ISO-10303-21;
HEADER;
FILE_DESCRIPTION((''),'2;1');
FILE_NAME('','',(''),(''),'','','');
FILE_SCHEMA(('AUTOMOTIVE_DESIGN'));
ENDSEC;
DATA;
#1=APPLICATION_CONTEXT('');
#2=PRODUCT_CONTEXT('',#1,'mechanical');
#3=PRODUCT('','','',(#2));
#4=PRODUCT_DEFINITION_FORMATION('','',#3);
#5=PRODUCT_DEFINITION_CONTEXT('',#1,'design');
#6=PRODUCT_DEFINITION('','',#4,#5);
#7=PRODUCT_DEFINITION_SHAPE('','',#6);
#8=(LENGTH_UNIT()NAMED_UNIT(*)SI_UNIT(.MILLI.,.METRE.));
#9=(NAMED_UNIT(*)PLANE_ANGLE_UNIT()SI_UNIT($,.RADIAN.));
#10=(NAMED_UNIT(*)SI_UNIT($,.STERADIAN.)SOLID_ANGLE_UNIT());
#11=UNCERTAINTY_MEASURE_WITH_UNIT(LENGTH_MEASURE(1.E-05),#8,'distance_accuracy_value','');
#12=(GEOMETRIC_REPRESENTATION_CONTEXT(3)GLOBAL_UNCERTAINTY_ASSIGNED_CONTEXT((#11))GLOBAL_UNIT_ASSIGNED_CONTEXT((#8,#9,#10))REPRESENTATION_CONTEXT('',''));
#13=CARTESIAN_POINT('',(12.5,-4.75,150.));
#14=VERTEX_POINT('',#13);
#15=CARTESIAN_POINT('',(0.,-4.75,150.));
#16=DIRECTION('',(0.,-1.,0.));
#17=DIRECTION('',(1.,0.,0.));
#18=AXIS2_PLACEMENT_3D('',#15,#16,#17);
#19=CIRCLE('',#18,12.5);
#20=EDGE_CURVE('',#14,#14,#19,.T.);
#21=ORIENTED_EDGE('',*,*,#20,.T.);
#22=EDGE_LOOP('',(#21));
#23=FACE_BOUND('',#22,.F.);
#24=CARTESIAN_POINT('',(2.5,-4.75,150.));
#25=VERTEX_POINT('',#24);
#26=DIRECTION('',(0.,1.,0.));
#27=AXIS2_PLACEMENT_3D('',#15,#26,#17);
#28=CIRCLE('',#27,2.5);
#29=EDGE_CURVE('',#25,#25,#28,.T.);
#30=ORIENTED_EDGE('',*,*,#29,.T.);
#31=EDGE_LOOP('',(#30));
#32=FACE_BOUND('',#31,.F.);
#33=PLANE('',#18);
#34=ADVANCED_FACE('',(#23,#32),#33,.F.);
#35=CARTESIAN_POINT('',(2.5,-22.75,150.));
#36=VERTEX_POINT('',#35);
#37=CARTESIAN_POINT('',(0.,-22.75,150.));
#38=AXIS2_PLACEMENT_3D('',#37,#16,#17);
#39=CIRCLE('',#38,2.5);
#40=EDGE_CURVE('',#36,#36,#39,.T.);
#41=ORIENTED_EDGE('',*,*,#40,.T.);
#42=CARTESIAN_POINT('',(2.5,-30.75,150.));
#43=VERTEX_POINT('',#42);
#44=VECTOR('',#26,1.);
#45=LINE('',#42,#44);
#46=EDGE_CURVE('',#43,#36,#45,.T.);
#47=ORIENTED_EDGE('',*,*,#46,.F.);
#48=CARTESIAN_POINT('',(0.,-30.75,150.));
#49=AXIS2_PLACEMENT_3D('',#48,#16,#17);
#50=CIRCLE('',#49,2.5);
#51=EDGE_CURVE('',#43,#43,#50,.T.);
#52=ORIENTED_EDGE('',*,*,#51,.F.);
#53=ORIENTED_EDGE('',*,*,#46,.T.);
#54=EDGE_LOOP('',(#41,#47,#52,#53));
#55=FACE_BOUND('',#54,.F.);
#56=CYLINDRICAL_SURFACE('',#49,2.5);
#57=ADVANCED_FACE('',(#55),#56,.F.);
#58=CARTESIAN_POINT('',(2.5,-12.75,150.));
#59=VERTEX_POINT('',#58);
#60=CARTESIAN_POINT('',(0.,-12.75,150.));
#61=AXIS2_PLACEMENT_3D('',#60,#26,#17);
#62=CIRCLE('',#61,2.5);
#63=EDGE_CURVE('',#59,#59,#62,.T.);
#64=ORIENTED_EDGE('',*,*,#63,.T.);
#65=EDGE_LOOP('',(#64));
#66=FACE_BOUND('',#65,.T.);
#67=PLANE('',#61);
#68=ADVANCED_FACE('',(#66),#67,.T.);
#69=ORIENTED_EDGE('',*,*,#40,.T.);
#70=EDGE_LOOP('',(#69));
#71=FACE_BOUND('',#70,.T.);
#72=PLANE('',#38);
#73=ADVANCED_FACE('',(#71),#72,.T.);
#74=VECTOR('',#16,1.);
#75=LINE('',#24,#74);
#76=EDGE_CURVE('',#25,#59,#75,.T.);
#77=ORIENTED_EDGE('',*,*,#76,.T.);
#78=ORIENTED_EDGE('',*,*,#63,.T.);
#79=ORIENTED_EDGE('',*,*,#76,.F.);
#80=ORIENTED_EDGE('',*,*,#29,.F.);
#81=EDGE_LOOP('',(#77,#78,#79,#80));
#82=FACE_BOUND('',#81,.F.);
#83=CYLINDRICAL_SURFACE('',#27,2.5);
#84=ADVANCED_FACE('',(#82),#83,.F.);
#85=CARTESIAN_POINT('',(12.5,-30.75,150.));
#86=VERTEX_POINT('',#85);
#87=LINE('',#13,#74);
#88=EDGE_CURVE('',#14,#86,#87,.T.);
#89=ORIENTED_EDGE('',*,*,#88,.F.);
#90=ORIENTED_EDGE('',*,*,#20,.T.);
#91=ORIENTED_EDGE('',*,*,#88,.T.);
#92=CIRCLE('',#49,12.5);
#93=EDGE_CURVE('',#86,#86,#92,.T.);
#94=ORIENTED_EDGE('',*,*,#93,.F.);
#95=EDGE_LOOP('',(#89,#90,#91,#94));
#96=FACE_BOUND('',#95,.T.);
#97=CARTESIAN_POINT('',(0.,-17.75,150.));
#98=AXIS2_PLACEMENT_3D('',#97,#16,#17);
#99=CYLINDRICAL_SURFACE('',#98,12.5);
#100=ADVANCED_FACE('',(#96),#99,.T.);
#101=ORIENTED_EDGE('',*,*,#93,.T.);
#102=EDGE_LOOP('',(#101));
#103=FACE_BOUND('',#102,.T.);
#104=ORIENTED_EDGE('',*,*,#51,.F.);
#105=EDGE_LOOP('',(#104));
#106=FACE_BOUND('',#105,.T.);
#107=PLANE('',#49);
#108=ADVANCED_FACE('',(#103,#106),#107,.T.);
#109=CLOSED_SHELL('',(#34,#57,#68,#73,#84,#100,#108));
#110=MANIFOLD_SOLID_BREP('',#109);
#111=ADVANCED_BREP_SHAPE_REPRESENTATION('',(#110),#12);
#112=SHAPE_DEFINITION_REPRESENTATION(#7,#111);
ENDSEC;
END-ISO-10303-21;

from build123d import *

# Parameters (mm, degrees)
SKETCH036_R     = 12.5
PAD009_DEPTH    = 13
SKETCH038_R     = 2.5
POCKET023_DEPTH = 8
SKETCH037_R     = 2.5
POCKET024_DEPTH = 8


with BuildPart() as part:
    # Sketch036 → Pad009 (new body, symmetric)
    with BuildSketch(Plane.XZ):
        Circle(SKETCH036_R)
    extrude(amount=PAD009_DEPTH, both=True)

    # Sketch038 (on Face3 of Pad009) → Pocket023 (cut)
    with BuildSketch(Plane.XZ.offset(13)):
        Circle(SKETCH038_R)
    extrude(amount=-POCKET023_DEPTH, mode=Mode.SUBTRACT)

    # Sketch037 (on Face2 of Pocket023) → Pocket024 (cut)
    with BuildSketch(Plane(origin=(0, 13, 0), x_dir=(1, 0, 0), z_dir=(0, 1, 0))):
        Circle(SKETCH037_R)
    extrude(amount=-POCKET024_DEPTH, mode=Mode.SUBTRACT)


with BuildPart() as part_1:
    # Body007 placement: moved
    add(part.part.moved(Location((0, -17.75, 150))))


solid = part_1.part
